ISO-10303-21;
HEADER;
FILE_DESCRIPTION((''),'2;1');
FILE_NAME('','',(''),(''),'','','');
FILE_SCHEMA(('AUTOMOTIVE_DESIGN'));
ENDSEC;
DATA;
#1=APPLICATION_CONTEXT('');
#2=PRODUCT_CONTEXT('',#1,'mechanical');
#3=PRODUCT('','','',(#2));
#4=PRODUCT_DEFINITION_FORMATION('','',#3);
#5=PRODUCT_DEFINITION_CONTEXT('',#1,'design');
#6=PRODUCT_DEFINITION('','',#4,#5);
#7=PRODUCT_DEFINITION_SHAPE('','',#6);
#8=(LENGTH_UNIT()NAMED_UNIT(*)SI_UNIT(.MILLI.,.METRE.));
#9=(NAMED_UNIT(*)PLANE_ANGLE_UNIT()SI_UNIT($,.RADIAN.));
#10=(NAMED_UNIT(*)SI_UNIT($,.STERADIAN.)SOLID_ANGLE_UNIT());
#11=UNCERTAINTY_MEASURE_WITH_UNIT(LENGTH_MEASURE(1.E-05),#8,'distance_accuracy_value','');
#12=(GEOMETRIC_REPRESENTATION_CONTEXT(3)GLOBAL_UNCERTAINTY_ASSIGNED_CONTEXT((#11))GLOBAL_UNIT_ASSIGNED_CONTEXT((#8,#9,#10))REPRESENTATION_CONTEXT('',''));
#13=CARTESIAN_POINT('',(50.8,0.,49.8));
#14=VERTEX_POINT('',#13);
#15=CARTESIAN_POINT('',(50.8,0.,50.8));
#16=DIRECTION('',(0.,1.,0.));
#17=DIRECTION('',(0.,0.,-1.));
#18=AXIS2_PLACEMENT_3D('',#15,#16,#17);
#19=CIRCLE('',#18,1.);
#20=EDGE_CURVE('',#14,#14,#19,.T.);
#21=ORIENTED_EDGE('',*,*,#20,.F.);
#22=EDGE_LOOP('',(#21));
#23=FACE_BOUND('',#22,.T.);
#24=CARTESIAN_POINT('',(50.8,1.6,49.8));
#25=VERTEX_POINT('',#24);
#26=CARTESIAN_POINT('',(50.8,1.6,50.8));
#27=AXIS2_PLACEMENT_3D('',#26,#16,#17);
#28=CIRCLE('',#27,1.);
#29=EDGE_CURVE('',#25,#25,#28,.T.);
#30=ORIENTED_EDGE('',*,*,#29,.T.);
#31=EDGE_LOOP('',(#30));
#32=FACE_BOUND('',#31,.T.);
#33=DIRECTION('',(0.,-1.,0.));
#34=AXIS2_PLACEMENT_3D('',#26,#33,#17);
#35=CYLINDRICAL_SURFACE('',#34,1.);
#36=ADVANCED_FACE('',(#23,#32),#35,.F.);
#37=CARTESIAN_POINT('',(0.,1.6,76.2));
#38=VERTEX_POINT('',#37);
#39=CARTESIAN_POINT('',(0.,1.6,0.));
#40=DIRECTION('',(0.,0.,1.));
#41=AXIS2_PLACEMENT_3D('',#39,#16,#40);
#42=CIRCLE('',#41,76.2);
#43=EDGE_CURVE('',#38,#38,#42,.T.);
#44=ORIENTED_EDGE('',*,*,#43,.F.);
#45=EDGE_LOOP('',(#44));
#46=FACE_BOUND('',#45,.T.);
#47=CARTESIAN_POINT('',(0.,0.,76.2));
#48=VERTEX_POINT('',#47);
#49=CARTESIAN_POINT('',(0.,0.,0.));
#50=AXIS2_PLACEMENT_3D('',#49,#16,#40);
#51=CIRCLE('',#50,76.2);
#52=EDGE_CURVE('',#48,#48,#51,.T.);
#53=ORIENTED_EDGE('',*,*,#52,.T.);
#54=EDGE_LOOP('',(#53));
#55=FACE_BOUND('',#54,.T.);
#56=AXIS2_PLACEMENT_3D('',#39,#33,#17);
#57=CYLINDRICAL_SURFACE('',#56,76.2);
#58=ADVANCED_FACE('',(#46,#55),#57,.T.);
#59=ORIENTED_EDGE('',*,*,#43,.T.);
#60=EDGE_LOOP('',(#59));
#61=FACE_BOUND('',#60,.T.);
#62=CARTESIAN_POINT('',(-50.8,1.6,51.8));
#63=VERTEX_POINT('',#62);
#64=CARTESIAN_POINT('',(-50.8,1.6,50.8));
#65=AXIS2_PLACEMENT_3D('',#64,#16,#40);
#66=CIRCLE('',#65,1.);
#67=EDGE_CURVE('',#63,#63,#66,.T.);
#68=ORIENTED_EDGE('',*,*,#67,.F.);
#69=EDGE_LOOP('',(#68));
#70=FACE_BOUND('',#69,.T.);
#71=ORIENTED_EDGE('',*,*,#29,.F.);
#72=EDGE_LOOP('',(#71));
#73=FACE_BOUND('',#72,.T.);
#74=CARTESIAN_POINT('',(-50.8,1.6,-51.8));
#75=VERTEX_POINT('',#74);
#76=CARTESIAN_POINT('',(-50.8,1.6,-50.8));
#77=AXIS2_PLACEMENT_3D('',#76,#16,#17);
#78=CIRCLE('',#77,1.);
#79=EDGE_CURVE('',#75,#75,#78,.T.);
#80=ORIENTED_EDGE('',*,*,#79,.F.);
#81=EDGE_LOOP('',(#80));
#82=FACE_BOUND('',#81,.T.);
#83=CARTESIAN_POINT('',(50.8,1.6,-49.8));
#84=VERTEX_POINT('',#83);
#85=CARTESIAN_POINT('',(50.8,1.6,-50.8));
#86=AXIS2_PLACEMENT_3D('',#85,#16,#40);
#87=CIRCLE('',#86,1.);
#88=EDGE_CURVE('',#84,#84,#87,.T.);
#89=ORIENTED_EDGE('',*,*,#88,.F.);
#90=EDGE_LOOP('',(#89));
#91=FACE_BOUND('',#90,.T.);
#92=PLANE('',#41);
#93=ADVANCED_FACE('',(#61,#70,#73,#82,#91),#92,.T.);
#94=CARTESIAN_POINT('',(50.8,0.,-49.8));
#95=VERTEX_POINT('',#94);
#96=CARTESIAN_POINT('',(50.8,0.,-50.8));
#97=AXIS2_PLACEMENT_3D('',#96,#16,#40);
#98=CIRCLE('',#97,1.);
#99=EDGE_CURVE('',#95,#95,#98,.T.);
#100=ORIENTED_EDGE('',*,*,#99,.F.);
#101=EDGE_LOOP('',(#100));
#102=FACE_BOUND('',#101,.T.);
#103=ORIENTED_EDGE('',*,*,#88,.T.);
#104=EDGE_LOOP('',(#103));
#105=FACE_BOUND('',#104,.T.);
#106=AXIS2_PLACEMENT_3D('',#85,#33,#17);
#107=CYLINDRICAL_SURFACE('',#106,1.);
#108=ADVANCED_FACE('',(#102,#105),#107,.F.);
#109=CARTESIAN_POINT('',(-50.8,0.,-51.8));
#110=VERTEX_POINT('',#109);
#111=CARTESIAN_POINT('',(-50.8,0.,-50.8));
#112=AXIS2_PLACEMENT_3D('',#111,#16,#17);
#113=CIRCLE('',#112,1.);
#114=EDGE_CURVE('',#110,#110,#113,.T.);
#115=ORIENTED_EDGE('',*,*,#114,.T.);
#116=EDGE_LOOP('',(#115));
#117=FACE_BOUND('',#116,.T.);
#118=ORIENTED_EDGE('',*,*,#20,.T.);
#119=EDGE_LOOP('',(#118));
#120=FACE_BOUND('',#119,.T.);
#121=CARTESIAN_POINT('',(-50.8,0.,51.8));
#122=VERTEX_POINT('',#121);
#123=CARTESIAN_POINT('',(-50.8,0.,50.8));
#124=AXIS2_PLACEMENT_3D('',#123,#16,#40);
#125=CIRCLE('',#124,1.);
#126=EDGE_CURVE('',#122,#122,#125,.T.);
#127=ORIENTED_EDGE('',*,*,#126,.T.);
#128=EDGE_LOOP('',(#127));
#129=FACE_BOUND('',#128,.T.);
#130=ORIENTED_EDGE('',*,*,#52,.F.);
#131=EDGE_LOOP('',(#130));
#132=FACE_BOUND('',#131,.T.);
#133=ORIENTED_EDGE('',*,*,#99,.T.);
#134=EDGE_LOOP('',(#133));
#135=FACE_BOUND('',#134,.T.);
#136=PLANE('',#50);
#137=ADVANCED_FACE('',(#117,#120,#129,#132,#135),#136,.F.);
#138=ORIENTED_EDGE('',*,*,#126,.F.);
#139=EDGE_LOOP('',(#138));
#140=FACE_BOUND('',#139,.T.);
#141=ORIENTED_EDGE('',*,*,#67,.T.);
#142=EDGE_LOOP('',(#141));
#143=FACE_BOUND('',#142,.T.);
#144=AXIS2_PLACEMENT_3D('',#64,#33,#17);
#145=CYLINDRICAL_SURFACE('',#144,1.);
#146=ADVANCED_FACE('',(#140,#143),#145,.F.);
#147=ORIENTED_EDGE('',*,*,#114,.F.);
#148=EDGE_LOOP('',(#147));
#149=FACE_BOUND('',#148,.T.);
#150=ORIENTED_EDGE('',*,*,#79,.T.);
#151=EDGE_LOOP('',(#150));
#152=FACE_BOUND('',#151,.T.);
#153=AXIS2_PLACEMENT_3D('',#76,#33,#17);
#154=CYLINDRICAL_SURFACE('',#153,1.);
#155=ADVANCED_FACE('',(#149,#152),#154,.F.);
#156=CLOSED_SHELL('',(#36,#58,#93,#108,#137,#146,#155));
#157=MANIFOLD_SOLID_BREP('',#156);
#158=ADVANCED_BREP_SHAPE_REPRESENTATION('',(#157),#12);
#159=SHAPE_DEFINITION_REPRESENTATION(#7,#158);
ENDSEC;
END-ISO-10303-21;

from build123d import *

# Parameters (mm, degrees)
SKETCH1_R           = 76.2
SKETCH1_R_2         = 1
BOSS_EXTRUDE1_DEPTH = 1.6


with BuildPart() as part:
    # Sketch1 → Boss-Extrude1 (new body)
    with BuildSketch(Plane(origin=(0, 0, 0), x_dir=(1, 0, 0), z_dir=(0, 1, 0))):
        Circle(SKETCH1_R)
        with Locations((50.8, 50.8)):
            Circle(SKETCH1_R_2, mode=Mode.SUBTRACT)
        with Locations((-50.8, 50.8)):
            Circle(SKETCH1_R_2, mode=Mode.SUBTRACT)
        with Locations((50.8, -50.8)):
            Circle(SKETCH1_R_2, mode=Mode.SUBTRACT)
        with Locations((-50.8, -50.8)):
            Circle(SKETCH1_R_2, mode=Mode.SUBTRACT)
    extrude(amount=BOSS_EXTRUDE1_DEPTH)


solid = part.part
